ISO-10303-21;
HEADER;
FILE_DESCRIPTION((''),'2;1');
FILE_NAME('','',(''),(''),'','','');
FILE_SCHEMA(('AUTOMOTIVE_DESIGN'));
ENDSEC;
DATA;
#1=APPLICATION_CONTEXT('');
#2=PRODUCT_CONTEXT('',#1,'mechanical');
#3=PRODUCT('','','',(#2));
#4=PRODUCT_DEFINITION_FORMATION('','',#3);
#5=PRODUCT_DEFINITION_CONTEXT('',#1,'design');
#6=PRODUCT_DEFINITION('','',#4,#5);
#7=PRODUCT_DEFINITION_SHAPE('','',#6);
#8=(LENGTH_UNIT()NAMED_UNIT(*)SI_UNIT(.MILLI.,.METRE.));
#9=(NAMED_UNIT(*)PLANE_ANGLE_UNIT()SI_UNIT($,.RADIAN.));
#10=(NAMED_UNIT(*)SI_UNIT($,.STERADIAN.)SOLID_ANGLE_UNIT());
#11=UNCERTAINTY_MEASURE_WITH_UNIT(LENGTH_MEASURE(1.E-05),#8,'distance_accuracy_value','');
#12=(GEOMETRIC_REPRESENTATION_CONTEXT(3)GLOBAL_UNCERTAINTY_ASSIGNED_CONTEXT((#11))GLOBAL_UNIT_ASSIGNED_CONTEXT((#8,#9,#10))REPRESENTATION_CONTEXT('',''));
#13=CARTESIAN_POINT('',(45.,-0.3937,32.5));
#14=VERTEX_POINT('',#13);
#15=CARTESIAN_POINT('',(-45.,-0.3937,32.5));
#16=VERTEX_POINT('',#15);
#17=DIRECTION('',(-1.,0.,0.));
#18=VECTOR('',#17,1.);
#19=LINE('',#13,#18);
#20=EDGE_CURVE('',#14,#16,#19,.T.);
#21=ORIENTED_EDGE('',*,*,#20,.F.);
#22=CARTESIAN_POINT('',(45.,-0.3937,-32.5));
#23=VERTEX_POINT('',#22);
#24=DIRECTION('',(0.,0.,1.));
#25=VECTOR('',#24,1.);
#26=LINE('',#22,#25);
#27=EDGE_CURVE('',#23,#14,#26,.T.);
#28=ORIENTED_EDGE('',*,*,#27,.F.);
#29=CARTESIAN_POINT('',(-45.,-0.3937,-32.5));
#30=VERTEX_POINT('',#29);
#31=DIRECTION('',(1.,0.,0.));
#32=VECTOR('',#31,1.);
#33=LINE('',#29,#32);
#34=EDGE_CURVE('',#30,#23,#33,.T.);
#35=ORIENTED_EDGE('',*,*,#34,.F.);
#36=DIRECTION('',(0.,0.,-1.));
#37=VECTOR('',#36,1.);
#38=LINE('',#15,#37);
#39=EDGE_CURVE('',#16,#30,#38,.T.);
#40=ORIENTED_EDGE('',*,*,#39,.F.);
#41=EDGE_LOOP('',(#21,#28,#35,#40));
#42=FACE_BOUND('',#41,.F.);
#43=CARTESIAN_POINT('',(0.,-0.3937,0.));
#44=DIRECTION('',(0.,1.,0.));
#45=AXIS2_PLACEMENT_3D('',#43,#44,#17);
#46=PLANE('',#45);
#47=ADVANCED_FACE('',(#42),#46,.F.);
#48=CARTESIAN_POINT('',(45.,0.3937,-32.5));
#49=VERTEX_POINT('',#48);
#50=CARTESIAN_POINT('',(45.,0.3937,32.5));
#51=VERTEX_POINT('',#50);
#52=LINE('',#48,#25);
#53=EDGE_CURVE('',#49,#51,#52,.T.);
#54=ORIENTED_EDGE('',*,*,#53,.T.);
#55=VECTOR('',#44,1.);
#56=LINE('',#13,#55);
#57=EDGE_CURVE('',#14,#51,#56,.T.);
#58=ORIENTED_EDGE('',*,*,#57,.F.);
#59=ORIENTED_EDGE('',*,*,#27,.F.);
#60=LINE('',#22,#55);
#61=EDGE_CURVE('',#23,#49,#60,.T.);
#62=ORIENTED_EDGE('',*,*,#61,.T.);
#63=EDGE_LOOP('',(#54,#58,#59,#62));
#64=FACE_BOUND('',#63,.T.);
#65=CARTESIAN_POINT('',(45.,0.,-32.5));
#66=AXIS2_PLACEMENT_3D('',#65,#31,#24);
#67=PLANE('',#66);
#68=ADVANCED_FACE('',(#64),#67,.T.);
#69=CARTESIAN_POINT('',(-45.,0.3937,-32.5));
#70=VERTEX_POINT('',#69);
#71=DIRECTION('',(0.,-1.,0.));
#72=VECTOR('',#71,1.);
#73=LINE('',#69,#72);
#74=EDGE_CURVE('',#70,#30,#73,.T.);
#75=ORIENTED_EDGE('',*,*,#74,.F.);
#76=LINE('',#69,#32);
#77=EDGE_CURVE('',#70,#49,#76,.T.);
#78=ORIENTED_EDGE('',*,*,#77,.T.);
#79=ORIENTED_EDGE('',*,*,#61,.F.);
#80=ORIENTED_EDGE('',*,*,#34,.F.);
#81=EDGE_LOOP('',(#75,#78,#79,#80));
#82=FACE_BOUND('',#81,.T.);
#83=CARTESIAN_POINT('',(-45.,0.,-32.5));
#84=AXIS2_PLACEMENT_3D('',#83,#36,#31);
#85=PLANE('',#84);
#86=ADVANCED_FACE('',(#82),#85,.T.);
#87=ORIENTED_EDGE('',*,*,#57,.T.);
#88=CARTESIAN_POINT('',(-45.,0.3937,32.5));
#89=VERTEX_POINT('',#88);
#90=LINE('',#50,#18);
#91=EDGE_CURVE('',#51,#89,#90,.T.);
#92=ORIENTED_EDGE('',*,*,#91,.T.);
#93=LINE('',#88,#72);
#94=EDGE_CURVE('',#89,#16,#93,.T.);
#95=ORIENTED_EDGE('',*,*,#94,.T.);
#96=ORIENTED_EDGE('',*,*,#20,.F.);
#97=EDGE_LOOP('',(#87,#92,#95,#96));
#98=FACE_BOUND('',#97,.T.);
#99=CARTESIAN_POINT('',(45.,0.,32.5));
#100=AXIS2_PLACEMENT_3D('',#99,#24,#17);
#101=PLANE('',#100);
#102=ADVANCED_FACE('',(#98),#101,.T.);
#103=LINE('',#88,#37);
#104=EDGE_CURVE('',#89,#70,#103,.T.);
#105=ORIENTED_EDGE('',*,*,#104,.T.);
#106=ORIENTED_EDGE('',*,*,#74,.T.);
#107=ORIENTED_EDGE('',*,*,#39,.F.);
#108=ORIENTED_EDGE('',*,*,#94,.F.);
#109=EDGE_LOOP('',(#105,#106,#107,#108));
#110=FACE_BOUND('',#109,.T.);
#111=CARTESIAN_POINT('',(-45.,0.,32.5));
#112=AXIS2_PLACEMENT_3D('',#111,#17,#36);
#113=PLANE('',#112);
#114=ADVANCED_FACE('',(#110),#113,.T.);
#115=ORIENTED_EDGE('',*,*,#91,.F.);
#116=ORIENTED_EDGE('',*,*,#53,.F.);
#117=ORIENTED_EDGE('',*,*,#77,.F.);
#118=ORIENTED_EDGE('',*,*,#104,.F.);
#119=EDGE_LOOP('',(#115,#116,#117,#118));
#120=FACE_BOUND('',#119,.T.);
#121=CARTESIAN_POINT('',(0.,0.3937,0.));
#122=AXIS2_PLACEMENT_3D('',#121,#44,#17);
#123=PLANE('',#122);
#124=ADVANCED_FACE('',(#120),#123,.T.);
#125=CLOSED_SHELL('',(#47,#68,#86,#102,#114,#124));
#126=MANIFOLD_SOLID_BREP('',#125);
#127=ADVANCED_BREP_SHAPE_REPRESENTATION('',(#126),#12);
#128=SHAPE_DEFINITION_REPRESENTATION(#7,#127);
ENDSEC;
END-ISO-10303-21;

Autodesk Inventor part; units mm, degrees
ref_plane "YZ Plane" through (0, 0, 0) normal (1, 0, 0) x (0, 1, 0)
ref_plane "XZ Plane" through (0, 0, 0) normal (0, 1, 0) x (-1, 0, 0)
ref_plane "XY Plane" through (0, 0, 0) normal (0, 0, 1) x (1, 0, 0)
sketch "Sketch1" plane through (0, 0, 0) normal (0, 1, 0) x (-1, 0, 0)
  line L0 (-45, 32.5) -> (45, 32.5)
  line L1 (45, 32.5) -> (45, -32.5)
  line L2 (45, -32.5) -> (-45, -32.5)
  line L3 (-45, -32.5) -> (-45, 32.5)
  line L4 (-45, 32.5) -> (45, -32.5) construction
  line L5 (45, 32.5) -> (-45, -32.5) construction
  point P0 (0, 0)
  dimension "d0" = 90
  dimension "d1" = 65
extrude "Extrusion1" add sketch "Sketch1" along normal mid plane 0.7874
properties part number "90x65mm-PCB"
